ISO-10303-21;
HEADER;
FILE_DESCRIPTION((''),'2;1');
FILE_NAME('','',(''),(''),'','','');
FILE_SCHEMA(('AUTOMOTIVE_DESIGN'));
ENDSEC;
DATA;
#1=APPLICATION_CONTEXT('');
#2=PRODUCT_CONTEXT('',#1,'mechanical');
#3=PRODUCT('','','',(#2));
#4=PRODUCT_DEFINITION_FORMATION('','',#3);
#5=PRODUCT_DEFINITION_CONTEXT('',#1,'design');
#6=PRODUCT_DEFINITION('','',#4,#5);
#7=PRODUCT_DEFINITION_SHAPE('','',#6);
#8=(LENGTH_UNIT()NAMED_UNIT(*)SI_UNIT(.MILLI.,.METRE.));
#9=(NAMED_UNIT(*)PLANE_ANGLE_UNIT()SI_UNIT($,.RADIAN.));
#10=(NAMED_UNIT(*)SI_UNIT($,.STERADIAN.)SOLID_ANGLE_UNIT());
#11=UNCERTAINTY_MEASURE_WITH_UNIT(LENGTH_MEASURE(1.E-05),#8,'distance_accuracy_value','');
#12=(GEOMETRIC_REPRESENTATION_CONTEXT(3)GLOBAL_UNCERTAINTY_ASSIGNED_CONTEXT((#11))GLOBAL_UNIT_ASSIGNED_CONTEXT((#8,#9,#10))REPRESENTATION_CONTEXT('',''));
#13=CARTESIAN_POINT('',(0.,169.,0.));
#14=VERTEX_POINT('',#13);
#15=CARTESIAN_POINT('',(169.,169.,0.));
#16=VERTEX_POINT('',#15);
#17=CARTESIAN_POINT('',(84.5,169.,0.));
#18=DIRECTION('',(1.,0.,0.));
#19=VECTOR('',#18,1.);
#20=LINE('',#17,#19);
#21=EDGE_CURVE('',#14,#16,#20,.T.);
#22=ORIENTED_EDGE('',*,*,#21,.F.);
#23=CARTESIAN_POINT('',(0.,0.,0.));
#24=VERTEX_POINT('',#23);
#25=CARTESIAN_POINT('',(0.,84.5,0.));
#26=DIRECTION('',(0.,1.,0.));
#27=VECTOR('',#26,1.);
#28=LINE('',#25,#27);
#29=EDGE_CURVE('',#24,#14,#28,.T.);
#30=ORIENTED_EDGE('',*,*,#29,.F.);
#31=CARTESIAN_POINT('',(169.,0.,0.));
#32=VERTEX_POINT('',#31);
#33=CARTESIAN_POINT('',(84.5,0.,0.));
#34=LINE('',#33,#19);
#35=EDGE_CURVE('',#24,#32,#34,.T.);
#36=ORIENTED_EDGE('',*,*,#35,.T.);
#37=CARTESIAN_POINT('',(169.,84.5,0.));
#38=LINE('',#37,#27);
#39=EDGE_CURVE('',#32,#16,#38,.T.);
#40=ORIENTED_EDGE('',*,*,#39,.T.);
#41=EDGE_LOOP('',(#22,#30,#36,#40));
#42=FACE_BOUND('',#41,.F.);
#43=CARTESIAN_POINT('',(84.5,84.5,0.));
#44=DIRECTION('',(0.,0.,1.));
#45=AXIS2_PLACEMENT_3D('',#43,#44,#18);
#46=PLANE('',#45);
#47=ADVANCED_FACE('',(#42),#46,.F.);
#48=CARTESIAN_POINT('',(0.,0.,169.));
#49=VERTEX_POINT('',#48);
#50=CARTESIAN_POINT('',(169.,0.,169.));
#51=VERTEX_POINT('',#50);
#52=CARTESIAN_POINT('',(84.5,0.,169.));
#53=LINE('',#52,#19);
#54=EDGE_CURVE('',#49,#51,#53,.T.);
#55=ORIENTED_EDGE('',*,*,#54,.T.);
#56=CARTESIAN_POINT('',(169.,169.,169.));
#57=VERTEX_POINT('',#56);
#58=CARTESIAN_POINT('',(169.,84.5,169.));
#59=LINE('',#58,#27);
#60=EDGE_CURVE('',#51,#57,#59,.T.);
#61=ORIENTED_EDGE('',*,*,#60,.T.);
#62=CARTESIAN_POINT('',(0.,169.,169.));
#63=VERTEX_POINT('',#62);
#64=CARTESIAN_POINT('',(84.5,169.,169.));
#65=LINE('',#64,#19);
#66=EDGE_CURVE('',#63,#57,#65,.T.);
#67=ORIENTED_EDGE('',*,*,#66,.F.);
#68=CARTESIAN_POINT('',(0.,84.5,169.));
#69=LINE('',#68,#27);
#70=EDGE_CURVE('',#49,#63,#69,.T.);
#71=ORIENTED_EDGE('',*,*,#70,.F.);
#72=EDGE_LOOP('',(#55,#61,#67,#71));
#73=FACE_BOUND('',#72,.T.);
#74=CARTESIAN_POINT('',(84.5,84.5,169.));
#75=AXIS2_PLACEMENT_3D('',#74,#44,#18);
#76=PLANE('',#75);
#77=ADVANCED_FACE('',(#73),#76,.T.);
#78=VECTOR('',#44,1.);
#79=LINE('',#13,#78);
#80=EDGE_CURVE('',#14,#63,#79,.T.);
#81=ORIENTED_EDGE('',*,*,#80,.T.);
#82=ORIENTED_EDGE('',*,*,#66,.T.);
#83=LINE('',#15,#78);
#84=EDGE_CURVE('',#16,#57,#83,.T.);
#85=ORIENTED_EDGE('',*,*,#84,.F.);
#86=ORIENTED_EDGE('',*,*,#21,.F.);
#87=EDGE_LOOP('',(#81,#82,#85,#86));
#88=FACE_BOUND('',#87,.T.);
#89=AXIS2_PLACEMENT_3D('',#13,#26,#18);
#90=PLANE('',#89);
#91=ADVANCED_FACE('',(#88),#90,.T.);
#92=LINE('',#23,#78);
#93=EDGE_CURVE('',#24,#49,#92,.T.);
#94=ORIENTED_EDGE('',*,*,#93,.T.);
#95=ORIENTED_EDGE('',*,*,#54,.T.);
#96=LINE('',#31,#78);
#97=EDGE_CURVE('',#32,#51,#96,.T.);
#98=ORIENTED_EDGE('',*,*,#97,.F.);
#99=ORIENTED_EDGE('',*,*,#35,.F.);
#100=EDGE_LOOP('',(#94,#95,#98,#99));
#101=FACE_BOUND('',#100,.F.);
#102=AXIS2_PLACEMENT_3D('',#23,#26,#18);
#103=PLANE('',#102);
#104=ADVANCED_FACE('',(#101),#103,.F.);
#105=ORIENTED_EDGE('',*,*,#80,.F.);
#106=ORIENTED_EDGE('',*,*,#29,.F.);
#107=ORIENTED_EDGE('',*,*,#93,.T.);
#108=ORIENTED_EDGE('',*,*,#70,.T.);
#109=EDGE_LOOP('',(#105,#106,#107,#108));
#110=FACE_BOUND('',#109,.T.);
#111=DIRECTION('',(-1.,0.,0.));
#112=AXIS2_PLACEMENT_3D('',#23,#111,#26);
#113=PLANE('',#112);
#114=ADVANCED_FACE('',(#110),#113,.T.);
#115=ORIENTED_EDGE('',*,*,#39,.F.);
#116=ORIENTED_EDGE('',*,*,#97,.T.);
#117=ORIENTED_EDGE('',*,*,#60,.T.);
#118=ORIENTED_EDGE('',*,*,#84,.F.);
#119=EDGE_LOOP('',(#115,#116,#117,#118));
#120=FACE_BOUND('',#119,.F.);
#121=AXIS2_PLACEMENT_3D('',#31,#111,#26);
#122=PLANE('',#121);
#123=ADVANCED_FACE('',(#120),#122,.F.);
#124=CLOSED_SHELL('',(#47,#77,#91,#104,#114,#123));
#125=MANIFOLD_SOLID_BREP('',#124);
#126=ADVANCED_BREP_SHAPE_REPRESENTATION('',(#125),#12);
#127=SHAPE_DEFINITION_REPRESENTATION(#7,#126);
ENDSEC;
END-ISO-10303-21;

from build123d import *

# Parameters (mm, degrees)
BOX_W     = 169
BOX_H     = 169
BOX_DEPTH = 169


with BuildPart() as part:
    # Box → Box (new body)
    with BuildSketch(Plane.XY):
        with Locations((84.5, 84.5)):
            Rectangle(BOX_W, BOX_H)
    extrude(amount=BOX_DEPTH)


solid = part.part
